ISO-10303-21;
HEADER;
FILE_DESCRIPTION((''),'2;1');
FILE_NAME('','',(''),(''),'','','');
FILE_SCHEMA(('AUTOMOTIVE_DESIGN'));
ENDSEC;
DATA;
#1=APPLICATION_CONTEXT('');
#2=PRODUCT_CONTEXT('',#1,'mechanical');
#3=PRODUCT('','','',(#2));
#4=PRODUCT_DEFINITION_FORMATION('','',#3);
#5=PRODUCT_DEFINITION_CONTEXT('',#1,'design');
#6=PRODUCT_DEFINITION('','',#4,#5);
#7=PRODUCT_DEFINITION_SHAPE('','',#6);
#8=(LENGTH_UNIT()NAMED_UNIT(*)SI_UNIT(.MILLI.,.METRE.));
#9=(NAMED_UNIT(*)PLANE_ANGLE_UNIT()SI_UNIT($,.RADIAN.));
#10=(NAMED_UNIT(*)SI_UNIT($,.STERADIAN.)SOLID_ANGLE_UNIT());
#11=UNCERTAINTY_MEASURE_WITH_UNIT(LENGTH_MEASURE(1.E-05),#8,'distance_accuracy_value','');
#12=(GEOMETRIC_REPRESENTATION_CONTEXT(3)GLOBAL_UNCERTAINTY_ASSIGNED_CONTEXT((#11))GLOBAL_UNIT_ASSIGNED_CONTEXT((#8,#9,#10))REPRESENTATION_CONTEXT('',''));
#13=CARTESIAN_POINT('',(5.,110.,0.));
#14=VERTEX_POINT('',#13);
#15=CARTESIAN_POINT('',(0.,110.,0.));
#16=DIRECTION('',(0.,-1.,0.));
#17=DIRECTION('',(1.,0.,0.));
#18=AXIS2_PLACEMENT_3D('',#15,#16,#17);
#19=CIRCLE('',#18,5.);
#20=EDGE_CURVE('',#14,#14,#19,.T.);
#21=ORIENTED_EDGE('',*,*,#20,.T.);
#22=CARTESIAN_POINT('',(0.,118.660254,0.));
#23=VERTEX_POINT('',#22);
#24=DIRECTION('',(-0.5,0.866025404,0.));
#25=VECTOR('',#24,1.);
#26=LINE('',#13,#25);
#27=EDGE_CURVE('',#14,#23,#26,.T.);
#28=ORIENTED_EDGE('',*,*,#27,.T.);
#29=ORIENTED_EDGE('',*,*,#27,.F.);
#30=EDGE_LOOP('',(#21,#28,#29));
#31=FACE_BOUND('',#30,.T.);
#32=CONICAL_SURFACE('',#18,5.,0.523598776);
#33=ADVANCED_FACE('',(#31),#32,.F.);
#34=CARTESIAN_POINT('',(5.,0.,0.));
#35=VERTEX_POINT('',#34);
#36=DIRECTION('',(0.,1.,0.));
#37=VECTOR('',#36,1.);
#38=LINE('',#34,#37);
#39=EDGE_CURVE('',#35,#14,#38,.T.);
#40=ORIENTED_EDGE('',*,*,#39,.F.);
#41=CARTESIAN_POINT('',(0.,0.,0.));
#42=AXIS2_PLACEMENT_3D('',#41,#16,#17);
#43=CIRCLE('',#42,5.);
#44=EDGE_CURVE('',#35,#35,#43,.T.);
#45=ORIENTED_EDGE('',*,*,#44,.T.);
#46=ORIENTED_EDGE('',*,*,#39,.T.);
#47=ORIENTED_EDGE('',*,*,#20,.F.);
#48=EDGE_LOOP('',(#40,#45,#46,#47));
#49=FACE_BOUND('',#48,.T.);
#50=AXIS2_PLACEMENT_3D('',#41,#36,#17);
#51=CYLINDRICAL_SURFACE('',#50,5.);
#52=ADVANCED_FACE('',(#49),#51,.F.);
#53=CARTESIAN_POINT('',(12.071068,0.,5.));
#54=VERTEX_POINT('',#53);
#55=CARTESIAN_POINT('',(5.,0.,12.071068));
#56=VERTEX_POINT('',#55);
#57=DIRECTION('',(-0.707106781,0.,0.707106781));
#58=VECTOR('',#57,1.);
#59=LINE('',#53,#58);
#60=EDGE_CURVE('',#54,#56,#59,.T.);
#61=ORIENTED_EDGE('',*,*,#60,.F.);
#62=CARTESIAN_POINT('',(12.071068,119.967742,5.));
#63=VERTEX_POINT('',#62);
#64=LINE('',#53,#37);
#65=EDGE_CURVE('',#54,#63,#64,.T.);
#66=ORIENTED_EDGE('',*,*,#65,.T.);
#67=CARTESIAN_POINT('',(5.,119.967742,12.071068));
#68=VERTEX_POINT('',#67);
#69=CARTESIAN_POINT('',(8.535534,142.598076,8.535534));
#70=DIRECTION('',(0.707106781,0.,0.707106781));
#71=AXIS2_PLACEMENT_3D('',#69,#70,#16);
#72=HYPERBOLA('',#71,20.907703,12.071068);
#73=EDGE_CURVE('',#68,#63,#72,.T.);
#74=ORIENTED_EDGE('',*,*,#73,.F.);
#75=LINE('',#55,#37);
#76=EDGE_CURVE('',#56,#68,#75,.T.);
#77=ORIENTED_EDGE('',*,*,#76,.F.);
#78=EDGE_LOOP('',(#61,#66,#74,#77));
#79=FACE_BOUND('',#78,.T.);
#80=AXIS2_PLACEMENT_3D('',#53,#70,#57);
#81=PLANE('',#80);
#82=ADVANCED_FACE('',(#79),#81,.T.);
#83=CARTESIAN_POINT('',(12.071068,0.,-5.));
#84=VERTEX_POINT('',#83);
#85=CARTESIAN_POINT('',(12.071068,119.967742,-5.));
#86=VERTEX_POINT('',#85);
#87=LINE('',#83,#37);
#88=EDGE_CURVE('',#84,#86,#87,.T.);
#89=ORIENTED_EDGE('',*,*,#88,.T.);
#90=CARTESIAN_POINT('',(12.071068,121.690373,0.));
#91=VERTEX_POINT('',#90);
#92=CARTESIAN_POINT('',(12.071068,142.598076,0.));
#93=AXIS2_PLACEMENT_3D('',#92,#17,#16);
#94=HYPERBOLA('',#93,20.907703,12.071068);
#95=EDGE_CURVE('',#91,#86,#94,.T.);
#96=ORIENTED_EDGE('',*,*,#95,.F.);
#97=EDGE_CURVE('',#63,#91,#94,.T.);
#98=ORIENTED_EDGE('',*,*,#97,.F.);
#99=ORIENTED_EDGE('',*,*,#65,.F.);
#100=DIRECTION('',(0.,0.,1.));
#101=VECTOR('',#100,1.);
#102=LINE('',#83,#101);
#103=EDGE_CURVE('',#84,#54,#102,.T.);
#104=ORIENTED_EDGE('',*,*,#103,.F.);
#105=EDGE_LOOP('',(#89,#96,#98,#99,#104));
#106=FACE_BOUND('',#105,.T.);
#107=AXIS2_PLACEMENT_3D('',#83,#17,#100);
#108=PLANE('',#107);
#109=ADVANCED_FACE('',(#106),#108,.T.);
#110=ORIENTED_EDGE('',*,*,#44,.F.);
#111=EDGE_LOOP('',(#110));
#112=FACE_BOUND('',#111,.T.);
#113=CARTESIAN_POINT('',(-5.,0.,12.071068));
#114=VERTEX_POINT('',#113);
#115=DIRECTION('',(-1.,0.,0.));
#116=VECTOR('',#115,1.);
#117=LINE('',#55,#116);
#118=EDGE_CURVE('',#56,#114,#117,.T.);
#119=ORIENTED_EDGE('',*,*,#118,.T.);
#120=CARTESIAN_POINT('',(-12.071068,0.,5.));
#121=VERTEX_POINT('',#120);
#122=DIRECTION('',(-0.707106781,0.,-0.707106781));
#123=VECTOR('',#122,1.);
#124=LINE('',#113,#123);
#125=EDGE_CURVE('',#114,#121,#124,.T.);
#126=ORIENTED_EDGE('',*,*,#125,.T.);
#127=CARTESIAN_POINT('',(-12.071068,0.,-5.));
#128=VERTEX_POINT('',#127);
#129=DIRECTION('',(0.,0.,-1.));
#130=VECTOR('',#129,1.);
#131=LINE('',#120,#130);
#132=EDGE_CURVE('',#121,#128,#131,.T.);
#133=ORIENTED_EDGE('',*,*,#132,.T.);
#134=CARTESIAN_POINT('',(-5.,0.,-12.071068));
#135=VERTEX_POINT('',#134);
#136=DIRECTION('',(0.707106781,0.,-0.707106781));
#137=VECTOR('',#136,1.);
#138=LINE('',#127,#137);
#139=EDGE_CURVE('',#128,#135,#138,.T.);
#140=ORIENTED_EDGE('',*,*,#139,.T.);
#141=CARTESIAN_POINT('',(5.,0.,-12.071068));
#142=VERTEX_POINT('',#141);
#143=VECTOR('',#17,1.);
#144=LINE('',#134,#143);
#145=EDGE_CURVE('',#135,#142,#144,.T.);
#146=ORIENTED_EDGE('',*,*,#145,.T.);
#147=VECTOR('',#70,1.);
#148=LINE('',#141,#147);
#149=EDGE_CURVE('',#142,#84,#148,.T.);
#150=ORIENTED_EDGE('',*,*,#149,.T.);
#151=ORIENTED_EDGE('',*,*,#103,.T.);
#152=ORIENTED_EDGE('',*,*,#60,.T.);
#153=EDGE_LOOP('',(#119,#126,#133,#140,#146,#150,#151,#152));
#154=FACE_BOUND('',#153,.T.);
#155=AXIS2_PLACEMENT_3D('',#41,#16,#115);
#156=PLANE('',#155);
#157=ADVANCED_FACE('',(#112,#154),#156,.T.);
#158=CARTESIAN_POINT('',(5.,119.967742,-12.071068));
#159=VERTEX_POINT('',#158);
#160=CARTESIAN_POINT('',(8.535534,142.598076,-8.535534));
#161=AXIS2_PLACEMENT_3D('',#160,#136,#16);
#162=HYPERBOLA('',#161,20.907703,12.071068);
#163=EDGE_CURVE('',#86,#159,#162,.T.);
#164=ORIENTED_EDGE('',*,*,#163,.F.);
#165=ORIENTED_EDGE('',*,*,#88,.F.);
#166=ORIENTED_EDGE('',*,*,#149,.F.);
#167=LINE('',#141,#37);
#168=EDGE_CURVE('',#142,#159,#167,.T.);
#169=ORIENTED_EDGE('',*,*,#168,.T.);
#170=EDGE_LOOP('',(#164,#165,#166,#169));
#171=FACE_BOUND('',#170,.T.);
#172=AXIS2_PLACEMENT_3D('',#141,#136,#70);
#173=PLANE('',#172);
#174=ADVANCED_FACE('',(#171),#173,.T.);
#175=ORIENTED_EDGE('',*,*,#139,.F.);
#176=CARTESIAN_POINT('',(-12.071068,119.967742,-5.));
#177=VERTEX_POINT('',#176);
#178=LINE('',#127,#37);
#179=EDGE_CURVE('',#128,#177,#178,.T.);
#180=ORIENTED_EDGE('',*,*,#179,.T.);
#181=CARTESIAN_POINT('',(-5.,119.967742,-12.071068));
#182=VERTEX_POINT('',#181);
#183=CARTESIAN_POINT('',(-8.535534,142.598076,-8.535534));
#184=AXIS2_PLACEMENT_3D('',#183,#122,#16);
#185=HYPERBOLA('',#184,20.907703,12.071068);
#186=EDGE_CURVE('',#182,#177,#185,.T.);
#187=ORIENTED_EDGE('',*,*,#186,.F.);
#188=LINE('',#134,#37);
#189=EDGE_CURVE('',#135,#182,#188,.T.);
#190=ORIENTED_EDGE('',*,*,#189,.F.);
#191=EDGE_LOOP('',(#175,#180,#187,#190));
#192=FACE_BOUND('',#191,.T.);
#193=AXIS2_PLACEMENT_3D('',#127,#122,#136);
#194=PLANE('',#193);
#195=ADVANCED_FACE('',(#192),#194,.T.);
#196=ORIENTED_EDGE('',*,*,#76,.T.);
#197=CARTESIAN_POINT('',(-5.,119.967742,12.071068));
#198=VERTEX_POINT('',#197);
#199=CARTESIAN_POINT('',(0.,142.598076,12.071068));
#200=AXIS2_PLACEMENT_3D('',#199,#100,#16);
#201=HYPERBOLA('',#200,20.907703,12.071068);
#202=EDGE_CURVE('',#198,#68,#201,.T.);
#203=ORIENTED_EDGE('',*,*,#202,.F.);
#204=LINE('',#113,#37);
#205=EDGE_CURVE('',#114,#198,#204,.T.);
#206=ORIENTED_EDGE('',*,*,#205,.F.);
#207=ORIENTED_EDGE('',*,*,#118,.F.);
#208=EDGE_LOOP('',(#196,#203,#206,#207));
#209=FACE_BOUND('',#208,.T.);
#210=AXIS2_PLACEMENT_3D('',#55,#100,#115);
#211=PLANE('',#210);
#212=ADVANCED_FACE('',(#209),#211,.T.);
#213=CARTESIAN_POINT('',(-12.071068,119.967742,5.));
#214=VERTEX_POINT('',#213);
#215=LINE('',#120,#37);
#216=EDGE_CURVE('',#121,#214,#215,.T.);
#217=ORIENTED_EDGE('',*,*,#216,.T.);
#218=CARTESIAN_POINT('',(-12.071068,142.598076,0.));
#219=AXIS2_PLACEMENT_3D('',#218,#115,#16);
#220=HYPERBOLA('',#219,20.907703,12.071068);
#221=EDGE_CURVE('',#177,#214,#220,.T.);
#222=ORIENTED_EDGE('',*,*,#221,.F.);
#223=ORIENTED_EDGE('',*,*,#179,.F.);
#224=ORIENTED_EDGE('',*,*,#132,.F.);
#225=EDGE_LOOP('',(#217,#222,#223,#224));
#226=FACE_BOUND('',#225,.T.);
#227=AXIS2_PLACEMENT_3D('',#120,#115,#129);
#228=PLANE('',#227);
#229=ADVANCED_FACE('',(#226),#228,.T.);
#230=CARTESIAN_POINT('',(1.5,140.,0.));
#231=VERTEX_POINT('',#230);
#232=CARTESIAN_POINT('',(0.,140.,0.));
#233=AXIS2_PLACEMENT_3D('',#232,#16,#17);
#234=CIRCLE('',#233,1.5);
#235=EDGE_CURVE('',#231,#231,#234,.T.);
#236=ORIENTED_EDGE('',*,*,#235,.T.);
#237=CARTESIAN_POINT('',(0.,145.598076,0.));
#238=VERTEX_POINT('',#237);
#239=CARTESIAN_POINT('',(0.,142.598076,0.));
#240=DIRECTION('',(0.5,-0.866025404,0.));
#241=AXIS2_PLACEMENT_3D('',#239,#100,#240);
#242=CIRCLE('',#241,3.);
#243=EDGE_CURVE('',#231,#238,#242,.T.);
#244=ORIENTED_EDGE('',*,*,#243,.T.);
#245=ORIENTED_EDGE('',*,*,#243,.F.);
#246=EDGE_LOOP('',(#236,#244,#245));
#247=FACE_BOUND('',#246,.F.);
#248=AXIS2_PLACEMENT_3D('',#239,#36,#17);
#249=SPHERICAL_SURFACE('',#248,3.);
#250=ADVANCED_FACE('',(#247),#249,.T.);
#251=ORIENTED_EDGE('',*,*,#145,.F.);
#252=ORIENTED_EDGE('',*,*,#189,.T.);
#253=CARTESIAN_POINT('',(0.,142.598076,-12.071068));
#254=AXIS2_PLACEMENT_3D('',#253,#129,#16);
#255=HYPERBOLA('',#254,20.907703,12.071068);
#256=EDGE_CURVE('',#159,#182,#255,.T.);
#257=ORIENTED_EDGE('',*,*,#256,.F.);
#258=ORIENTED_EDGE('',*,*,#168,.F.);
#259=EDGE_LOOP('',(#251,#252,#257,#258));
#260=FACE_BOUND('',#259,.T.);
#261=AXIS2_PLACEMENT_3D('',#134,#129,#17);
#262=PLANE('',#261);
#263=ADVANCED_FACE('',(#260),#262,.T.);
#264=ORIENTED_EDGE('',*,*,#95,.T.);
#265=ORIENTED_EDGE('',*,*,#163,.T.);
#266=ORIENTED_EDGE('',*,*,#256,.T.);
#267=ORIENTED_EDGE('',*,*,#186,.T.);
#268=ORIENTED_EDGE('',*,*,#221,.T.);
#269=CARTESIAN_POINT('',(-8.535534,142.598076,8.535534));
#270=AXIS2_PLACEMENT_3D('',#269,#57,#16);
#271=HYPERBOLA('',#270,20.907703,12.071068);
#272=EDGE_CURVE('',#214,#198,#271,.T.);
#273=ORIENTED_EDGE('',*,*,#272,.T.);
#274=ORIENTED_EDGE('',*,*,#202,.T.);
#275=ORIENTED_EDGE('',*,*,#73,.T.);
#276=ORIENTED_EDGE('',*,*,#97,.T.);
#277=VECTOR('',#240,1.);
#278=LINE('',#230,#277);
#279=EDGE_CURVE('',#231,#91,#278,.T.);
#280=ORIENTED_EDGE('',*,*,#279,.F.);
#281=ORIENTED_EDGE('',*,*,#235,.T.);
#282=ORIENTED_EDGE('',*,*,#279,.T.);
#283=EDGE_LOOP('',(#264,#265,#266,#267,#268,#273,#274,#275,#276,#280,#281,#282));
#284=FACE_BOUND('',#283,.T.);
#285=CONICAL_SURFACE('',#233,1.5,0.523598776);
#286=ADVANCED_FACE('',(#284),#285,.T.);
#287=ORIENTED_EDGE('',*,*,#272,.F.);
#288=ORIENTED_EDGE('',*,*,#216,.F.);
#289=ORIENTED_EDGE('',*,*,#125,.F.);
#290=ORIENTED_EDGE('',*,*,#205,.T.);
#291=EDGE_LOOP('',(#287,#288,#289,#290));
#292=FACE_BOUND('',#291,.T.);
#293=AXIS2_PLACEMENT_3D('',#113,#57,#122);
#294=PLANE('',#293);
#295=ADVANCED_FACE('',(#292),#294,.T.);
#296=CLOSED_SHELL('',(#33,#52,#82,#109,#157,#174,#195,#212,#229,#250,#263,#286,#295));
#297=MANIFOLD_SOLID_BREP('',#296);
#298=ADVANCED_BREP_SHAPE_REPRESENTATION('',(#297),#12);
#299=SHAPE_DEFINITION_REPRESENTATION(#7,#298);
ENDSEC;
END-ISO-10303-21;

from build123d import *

# Parameters (mm, degrees)
BOSS_EXTRUDE1_DEPTH = 140


with BuildPart() as part:
    # Sketch1 → Boss-Extrude1 (new body)
    with BuildSketch(Plane(origin=(0, 0, 0), x_dir=(1, 0, 0), z_dir=(0, 1, 0))):
        Polygon((-12.071067812, -5), (-12.071067812, 5), (-5, 12.071067812), (5, 12.071067812), (12.071067812, 5), (12.071067812, -5), (5, -12.071067812), (-5, -12.071067812), align=None)
    extrude(amount=BOSS_EXTRUDE1_DEPTH)

    # Sketch3 → Cut-Revolve2 (revolve, cut)
    with BuildSketch(Plane.XY):
        Polygon((1.5, 140), (14.42266182, 117.617293159), (14.42266182, 140), align=None)
    revolve(axis=Axis((0, 140, 0), (0, -1, 0)), mode=Mode.SUBTRACT)

    # Sketch4 → Revolve1 (revolve)
    with BuildSketch(Plane.XY):
        with BuildLine():
            Line((0, 145.598076211), (0, 140))
            Line((0, 140), (1.5, 140))
            ThreePointArc((1.5, 140), (2.897777479, 143.374533347), (0, 145.598076211))
        make_face()
    revolve(axis=Axis((0, 145.598076211, 0), (0, -1, 0)))

    # Sketch5 → Cut-Revolve3 (revolve, cut)
    with BuildSketch(Plane.XY):
        Polygon((0, 0), (5, 0), (5, 110), (0, 118.660254038), align=None)
    revolve(axis=Axis((0, 118.660254038, 0), (0, -1, 0)), mode=Mode.SUBTRACT)


solid = part.part
